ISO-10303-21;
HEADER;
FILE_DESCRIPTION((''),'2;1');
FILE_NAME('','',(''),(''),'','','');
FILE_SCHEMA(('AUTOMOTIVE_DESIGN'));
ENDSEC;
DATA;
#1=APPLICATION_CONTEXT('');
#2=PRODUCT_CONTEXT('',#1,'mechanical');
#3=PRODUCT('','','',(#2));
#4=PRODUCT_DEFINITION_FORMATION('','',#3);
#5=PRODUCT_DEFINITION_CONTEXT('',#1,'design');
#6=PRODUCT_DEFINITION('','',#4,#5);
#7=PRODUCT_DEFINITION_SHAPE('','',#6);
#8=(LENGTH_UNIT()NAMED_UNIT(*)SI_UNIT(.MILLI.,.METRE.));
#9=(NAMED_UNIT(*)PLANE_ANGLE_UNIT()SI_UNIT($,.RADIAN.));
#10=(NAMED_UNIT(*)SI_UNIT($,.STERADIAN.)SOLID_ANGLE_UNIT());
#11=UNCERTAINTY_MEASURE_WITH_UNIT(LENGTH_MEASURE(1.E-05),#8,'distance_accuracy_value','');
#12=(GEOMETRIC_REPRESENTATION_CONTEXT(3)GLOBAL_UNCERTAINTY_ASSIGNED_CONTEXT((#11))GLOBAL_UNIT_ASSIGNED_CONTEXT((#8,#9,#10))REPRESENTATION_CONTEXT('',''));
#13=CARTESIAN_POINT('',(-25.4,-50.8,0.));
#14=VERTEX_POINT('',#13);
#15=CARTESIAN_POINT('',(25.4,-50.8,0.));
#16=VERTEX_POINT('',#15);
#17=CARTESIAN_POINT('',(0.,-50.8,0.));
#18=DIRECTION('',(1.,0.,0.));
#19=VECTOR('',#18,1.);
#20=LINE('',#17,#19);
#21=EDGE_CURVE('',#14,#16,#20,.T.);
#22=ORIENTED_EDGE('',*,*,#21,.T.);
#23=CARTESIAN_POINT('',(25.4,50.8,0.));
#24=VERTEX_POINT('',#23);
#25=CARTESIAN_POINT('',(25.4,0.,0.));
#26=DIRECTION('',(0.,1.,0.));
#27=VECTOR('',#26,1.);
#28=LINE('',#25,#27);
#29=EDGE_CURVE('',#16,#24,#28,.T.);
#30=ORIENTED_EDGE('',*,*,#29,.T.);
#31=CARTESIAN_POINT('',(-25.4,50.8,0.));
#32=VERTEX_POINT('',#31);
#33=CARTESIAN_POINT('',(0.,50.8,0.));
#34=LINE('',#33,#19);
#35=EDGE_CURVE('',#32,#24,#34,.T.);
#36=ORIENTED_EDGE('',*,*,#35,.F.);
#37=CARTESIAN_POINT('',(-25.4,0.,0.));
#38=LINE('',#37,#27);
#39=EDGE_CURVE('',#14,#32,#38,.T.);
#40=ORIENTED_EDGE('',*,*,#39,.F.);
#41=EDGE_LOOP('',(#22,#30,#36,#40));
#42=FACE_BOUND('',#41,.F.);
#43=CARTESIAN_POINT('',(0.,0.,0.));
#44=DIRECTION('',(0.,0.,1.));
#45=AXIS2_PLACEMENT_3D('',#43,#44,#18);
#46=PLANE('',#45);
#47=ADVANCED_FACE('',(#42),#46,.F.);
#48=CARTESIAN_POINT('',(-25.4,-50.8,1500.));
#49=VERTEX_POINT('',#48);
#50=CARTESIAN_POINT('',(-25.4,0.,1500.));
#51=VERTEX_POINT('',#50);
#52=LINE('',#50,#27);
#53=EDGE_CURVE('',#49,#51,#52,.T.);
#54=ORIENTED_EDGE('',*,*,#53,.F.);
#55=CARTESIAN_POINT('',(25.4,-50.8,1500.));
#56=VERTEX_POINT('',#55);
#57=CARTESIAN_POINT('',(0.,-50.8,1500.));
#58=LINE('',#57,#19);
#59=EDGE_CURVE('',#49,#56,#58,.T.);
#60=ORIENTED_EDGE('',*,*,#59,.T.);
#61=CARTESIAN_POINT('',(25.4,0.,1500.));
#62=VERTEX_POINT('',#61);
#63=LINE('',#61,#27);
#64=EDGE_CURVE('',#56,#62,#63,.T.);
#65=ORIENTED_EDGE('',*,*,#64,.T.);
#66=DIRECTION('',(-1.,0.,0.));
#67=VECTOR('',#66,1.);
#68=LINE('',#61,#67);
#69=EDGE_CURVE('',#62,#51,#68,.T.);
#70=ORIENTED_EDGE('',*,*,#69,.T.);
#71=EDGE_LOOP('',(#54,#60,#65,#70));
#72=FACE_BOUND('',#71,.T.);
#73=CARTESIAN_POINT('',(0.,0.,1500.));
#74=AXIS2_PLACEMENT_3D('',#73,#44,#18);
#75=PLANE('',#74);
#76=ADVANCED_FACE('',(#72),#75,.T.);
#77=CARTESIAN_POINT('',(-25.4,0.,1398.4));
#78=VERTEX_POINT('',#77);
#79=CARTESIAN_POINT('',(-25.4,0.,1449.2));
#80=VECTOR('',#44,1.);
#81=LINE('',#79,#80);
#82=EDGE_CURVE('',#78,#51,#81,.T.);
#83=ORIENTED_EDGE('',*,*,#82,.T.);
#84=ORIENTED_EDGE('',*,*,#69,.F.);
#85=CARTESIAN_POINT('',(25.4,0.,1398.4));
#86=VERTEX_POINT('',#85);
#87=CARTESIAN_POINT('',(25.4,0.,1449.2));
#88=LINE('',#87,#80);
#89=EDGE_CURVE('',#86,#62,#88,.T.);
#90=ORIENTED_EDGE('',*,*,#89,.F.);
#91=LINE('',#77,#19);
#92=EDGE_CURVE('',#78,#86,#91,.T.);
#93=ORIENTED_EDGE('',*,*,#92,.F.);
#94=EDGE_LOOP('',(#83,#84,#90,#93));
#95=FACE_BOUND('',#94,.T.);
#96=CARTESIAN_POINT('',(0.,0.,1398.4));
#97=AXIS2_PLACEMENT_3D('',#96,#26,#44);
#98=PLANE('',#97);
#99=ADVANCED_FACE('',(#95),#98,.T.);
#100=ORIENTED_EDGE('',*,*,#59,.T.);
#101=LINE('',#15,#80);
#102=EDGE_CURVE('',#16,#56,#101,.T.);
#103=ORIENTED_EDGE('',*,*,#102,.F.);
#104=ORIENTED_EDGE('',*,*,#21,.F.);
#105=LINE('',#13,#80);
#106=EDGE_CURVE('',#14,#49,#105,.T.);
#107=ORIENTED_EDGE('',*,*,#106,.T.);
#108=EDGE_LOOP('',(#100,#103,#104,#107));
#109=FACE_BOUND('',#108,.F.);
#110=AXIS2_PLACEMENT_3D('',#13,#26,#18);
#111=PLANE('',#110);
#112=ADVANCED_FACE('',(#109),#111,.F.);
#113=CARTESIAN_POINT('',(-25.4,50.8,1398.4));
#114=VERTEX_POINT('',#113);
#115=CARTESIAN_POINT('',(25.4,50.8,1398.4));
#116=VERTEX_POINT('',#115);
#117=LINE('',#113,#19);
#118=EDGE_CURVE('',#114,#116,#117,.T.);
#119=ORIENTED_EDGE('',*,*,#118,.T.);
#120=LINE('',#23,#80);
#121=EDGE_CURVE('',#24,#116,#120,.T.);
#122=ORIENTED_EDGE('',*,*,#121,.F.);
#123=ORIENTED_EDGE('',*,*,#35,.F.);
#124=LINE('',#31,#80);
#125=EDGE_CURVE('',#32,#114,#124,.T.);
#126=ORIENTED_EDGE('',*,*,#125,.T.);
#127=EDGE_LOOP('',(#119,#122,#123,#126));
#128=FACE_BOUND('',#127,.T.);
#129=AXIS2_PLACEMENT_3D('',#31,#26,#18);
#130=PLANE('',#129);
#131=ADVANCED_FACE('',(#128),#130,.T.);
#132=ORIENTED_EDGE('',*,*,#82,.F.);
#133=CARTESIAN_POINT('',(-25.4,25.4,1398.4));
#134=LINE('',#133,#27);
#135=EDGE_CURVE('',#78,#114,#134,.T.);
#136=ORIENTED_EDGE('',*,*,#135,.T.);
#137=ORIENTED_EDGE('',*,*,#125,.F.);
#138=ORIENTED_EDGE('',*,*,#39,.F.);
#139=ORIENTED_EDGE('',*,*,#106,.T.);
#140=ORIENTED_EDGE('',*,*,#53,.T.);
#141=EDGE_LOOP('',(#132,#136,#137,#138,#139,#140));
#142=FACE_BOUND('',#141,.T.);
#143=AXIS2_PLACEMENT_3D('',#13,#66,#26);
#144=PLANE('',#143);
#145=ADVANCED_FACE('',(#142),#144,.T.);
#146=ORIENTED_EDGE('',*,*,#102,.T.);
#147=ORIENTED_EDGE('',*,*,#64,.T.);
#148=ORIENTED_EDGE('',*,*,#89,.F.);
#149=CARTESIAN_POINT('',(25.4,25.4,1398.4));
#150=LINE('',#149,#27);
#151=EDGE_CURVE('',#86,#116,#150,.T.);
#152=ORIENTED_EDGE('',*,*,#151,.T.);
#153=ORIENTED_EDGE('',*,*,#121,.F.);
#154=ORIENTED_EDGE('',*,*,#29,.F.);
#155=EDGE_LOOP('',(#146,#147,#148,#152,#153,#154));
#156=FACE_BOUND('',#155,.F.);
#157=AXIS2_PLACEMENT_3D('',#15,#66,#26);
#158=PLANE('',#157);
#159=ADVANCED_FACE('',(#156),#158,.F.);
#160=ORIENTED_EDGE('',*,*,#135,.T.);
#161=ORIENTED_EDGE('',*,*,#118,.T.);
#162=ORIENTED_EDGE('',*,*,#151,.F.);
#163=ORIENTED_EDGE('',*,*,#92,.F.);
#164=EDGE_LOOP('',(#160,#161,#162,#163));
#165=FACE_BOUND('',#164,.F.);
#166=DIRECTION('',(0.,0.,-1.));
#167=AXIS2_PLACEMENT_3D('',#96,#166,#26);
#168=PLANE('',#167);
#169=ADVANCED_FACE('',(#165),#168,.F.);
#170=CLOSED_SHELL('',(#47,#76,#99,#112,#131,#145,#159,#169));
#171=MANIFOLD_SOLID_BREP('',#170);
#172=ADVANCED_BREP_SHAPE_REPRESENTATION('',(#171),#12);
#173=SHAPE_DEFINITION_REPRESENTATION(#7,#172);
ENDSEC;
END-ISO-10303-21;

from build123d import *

# Parameters (mm, degrees)
F0_W     = 50.8
F0_H     = 101.6
F1_DEPTH = 1500
F2_W     = 50.8
F2_H     = 101.6
F3_DEPTH = 25.4


with BuildPart() as f1:
    # F0 (on Top) → F1 (new body)
    with BuildSketch(Plane.XY):
        Rectangle(F0_W, F0_H)
    extrude(amount=F1_DEPTH)

    # F2 (on Right) → F3 (cut, symmetric)
    with BuildSketch(Plane.YZ):
        with Locations((25.4, 1449.2)):
            Rectangle(F2_W, F2_H)
    extrude(amount=F3_DEPTH, both=True, mode=Mode.SUBTRACT)


solid = f1.part
